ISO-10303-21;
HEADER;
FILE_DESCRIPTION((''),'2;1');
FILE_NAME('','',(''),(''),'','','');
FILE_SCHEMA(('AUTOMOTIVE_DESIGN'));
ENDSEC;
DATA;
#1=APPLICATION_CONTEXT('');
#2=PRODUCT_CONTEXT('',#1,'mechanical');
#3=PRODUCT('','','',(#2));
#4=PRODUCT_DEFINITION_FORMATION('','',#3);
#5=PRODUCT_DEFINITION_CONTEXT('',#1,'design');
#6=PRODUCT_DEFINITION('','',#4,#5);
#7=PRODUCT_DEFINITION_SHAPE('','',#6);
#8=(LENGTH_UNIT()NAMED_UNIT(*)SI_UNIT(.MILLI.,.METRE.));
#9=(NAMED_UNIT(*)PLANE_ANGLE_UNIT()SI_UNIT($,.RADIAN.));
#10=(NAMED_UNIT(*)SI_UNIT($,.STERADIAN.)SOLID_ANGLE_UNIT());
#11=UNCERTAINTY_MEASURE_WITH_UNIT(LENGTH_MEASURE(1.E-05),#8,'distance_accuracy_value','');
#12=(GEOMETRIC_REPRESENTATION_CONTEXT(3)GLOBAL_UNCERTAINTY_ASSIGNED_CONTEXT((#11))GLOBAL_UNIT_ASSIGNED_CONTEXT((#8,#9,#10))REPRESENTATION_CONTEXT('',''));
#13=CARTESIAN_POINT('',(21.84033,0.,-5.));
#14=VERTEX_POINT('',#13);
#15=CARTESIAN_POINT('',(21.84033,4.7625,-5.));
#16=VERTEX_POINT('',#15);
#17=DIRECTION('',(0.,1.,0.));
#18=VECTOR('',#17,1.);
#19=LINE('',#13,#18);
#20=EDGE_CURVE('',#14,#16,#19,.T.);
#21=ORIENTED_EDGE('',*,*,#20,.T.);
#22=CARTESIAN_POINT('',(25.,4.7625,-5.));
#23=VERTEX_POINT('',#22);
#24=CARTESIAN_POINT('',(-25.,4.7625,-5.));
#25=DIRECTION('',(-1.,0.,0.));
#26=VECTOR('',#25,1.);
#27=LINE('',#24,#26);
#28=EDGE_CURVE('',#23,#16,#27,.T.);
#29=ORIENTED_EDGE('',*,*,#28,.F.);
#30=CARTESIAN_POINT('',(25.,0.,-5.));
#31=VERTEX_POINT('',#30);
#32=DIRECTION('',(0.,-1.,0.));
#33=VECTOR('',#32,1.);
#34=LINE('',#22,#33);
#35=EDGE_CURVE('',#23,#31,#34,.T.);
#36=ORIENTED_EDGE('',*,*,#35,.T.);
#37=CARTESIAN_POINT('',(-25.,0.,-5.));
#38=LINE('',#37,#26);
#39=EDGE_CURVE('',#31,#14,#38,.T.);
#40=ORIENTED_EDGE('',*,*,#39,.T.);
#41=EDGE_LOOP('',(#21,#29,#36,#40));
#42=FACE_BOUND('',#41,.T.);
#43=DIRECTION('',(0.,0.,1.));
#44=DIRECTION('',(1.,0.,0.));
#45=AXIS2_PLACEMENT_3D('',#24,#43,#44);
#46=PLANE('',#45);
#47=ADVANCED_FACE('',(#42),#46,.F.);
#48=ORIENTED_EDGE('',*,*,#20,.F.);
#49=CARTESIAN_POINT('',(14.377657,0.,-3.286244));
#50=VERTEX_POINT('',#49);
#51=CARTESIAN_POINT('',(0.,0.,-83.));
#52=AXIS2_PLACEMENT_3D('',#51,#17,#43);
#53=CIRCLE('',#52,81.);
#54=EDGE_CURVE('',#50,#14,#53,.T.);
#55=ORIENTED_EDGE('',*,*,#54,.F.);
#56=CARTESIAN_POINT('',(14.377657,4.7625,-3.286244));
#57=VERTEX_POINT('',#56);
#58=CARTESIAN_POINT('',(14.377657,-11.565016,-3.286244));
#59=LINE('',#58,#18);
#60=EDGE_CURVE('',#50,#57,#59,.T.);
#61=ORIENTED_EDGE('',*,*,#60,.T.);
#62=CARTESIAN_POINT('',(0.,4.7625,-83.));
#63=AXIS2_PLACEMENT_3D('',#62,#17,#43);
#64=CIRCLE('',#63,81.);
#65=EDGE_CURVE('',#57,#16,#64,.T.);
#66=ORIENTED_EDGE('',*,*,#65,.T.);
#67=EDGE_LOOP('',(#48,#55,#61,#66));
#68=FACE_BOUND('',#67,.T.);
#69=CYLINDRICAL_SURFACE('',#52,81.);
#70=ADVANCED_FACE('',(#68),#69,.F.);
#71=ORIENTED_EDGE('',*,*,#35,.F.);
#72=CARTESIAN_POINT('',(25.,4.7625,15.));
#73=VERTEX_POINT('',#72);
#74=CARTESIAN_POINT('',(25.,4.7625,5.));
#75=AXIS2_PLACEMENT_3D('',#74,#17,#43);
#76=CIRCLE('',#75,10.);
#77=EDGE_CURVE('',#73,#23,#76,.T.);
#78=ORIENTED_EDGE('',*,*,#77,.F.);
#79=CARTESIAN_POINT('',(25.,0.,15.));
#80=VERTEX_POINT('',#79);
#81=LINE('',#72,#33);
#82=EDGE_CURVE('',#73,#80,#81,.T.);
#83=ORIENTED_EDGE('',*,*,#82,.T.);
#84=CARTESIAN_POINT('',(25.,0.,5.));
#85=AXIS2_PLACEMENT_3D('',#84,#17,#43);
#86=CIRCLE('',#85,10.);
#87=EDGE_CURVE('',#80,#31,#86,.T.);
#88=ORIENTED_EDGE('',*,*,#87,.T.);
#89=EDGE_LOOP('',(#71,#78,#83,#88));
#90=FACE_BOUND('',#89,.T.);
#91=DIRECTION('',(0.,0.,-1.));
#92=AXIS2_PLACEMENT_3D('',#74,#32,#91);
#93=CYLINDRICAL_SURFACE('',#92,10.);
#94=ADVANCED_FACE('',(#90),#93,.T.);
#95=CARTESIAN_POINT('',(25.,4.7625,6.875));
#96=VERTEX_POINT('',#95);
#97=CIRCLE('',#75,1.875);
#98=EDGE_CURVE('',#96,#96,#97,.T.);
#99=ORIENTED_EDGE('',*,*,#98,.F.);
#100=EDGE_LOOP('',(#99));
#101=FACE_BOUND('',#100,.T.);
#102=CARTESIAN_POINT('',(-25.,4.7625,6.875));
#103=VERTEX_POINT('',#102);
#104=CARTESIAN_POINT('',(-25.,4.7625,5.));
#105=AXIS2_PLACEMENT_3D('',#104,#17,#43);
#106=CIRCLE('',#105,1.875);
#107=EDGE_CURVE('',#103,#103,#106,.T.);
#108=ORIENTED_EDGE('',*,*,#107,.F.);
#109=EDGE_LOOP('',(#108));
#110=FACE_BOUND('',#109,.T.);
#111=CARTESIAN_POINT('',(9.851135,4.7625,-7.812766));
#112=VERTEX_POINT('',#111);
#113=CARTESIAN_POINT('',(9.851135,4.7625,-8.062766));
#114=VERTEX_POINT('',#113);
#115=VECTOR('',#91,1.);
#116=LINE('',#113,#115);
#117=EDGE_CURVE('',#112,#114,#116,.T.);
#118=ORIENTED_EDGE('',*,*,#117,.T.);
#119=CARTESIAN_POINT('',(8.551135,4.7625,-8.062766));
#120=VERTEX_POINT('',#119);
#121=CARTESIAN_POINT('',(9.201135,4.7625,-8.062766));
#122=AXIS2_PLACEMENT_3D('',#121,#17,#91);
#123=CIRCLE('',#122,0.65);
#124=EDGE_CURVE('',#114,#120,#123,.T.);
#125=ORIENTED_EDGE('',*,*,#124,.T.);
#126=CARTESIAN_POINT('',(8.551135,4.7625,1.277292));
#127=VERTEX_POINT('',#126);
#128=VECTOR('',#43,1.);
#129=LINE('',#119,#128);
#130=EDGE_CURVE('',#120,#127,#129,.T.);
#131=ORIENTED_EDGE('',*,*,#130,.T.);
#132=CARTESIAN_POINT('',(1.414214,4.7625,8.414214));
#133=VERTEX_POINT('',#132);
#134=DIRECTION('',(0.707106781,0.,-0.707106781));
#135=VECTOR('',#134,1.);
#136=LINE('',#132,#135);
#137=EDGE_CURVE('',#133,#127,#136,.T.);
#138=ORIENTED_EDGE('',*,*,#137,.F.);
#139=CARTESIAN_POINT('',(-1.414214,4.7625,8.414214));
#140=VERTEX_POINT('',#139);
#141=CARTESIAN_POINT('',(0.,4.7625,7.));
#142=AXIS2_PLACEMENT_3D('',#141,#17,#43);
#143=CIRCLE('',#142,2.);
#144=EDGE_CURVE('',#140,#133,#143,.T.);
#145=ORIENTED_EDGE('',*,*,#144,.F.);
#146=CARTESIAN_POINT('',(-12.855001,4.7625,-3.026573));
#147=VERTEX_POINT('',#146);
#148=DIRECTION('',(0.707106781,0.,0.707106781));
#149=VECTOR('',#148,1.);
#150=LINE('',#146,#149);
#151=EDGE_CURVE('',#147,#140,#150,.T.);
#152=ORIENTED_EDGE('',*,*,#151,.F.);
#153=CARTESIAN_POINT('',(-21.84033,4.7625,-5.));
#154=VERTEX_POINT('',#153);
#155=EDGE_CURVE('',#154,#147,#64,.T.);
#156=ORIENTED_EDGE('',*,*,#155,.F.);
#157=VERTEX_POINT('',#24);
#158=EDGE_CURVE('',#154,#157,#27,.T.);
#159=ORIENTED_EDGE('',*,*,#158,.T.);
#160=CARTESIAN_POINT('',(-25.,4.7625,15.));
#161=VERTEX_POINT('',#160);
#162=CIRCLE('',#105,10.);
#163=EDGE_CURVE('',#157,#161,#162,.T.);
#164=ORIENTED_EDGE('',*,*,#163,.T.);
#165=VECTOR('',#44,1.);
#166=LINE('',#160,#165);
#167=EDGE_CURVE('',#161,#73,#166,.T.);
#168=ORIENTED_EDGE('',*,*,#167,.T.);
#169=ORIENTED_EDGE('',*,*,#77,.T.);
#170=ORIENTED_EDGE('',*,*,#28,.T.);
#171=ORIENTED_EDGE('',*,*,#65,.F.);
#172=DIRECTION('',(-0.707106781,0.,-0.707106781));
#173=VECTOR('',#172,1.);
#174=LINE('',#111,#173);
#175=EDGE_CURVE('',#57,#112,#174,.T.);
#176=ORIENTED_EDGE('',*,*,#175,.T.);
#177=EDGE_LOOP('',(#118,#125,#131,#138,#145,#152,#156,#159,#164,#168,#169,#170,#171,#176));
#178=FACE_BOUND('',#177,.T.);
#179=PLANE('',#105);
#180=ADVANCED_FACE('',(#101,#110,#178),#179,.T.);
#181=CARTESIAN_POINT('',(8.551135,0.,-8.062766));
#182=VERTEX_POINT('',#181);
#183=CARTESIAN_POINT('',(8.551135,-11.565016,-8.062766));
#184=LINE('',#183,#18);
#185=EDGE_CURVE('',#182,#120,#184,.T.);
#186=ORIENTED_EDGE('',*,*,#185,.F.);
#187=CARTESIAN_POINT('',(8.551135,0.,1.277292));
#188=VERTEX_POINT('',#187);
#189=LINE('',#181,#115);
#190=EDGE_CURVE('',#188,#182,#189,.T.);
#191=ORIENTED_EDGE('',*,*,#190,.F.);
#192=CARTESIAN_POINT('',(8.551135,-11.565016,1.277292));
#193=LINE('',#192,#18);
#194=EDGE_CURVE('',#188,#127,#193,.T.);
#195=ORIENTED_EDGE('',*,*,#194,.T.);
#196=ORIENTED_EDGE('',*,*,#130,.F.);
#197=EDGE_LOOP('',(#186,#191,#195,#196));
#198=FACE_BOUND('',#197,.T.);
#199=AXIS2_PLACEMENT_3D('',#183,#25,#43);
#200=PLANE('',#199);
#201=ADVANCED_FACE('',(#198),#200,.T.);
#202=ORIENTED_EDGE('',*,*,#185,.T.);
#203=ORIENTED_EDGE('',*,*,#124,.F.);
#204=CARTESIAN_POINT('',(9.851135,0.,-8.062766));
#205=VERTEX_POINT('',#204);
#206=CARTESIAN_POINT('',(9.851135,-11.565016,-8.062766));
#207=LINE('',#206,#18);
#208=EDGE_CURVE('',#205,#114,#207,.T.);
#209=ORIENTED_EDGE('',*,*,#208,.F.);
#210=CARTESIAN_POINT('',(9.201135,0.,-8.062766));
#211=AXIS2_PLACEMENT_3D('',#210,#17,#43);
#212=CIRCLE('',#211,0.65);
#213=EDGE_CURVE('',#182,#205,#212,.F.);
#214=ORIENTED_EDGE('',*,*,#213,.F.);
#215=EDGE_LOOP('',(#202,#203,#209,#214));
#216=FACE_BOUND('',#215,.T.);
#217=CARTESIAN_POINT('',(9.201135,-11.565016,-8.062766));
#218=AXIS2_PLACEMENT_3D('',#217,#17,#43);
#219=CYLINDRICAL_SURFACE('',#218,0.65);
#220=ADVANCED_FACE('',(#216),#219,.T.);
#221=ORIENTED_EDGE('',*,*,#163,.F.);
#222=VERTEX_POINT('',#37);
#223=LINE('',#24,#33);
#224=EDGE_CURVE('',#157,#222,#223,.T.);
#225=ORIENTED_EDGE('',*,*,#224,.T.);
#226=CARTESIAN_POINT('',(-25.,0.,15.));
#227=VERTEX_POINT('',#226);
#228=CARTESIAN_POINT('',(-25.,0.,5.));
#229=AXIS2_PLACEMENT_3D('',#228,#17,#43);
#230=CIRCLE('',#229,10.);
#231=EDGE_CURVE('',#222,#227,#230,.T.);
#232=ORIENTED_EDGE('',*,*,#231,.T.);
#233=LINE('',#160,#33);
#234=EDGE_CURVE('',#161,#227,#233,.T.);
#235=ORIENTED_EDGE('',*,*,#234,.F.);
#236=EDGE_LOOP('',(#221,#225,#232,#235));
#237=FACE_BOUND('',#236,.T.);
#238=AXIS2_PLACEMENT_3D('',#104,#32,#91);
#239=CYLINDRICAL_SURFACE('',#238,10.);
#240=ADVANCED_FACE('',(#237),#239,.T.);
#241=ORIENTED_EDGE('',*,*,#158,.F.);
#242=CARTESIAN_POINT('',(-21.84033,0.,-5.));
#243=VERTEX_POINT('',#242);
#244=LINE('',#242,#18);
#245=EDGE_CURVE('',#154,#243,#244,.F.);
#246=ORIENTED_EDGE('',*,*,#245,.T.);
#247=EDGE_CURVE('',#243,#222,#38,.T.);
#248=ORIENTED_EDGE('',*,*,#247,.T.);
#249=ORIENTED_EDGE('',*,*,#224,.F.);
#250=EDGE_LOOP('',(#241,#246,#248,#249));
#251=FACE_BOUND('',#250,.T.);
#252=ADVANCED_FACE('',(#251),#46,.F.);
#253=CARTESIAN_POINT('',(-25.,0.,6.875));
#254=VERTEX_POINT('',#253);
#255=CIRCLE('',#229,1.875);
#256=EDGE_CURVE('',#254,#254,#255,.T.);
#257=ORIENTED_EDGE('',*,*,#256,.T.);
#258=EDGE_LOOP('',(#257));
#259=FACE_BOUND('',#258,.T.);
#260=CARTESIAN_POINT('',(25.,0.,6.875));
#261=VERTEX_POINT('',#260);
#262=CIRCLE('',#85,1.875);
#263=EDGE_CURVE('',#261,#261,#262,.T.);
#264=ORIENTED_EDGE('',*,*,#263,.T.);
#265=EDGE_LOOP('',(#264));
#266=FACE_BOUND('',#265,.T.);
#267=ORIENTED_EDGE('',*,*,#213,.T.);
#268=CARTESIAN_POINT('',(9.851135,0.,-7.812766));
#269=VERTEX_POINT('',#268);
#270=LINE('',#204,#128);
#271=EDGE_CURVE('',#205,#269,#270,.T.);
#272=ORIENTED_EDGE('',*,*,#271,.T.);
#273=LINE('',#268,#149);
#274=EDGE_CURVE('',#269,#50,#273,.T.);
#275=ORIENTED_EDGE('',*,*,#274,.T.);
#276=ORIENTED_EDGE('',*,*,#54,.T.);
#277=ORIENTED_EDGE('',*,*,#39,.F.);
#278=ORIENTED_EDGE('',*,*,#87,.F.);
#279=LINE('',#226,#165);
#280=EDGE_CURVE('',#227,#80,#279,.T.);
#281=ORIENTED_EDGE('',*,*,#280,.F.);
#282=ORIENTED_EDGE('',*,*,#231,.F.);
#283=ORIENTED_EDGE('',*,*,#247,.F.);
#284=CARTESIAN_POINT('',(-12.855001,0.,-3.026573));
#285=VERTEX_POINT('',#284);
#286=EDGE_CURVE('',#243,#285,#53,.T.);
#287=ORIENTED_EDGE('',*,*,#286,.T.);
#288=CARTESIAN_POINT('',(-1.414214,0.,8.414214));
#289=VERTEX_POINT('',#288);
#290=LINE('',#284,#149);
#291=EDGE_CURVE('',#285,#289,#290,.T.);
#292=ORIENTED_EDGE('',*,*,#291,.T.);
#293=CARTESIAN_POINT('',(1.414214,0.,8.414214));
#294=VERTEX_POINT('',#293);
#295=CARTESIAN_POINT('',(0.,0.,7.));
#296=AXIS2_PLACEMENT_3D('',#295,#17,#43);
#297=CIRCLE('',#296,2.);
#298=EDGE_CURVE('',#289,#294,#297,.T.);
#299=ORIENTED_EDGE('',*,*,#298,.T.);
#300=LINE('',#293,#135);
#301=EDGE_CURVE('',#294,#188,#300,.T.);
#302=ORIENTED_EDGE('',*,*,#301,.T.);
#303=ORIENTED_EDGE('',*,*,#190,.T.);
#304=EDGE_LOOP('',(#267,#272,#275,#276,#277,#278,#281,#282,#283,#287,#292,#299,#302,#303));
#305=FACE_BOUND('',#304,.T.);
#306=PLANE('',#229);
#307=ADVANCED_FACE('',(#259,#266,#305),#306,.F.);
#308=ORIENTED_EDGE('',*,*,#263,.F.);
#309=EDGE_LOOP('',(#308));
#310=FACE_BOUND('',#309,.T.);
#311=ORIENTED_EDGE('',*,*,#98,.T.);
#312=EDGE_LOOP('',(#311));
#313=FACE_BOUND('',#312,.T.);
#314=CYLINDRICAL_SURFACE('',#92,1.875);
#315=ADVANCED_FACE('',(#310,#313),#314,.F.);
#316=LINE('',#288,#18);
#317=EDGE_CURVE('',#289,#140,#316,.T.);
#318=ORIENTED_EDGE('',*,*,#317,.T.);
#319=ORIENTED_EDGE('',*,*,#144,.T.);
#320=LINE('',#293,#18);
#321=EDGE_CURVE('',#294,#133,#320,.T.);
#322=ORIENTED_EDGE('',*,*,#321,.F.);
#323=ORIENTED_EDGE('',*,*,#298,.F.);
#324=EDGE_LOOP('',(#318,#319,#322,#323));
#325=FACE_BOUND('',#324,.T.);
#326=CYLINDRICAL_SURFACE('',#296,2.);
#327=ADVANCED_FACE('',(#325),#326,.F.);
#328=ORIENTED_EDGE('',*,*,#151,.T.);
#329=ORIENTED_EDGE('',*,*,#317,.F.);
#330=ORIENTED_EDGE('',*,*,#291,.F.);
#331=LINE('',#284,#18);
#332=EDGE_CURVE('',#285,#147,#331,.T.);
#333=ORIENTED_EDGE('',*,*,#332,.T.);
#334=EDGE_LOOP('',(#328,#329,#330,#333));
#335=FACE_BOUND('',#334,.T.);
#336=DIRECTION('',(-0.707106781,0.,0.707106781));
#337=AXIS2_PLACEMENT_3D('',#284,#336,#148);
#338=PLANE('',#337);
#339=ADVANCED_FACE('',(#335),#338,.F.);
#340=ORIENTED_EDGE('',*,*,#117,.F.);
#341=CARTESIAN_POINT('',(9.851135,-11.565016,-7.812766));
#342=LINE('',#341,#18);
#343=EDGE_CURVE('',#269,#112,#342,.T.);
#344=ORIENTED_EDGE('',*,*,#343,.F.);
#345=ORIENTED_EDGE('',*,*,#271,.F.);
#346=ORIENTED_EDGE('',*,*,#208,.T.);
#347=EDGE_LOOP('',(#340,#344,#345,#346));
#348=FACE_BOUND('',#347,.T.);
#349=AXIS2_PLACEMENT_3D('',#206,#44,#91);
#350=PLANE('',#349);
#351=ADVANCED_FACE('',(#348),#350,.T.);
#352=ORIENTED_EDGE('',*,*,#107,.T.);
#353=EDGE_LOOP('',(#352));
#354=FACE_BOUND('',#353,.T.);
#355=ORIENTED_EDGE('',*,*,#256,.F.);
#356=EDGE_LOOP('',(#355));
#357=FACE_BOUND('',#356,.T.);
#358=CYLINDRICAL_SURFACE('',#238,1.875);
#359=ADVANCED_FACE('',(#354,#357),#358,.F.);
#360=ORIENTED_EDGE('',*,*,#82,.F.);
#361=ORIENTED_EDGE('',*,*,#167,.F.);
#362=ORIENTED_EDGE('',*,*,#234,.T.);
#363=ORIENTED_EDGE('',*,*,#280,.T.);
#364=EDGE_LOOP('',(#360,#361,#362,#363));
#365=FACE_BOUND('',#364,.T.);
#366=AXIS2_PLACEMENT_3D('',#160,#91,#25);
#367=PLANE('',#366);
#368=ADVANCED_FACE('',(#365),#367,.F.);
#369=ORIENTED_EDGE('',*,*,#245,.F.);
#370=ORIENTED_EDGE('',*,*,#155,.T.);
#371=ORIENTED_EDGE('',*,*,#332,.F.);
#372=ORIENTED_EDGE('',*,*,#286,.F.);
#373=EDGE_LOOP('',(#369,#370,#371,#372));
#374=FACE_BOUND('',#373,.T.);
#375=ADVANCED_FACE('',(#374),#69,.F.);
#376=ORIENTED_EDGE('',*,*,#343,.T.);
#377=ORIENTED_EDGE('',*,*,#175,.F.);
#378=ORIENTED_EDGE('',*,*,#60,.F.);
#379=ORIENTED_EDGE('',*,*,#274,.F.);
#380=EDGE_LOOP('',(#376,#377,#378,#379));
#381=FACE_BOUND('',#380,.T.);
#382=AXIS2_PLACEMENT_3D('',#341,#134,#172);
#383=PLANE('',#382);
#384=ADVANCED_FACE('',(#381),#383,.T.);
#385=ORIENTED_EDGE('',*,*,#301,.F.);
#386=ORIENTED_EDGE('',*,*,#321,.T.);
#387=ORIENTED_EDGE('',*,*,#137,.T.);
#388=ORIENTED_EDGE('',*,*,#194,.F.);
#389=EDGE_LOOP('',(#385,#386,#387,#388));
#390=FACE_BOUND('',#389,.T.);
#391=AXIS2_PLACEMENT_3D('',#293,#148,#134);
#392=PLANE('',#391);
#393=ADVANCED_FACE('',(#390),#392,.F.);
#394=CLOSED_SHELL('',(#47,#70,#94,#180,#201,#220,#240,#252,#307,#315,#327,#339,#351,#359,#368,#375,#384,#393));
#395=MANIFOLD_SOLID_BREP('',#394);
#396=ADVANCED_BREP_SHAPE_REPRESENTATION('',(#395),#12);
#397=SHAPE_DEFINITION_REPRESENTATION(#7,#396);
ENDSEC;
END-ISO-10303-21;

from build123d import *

# Parameters (mm, degrees)
SKETCH1_R           = 1.875
BOSS_EXTRUDE1_DEPTH = 4.7625
CUT_EXTRUDE1_DEPTH  = 5.7625
BOSS_EXTRUDE2_DEPTH = 4.7625


with BuildPart() as part:
    # Sketch1 → Boss-Extrude1 (new body)
    with BuildSketch(Plane(origin=(0, 0, 0), x_dir=(1, 0, 0), z_dir=(0, 1, 0))):
        with BuildLine():
            Line((-25, 5), (25, 5))
            ThreePointArc((25, 5), (35, -5), (25, -15))
            Line((25, -15), (-25, -15))
            ThreePointArc((-25, -15), (-35, -5), (-25, 5))
        make_face()
        with Locations((-25, -5)):
            Circle(SKETCH1_R, mode=Mode.SUBTRACT)
        with Locations((25, -5)):
            Circle(SKETCH1_R, mode=Mode.SUBTRACT)
    extrude(amount=BOSS_EXTRUDE1_DEPTH)

    # Sketch3 → Cut-Extrude1 (cut, through all)
    with BuildSketch(Plane(origin=(0, 4.7625, 0), x_dir=(1, 0, 0), z_dir=(0, 1, 0))):
        with BuildLine():
            Line((-12.855000529, 3.026573405), (-1.414213562, -8.414213562))
            ThreePointArc((-1.414213562, -8.414213562), (0, -9), (1.414213562, -8.414213562))
            Line((1.414213562, -8.414213562), (12.855000529, 3.026573405))
            ThreePointArc((12.855000529, 3.026573405), (0, 164), (-12.855000529, 3.026573405))
        make_face()
    extrude(amount=-CUT_EXTRUDE1_DEPTH, mode=Mode.SUBTRACT)

    # Sketch4 → Boss-Extrude2 (add)
    with BuildSketch(Plane(origin=(0, 4.7625, 0), x_dir=(1, 0, 0), z_dir=(0, 1, 0))):
        with BuildLine():
            Line((14.377657426, 3.286243553), (8.551135427, -1.277291698))
            Line((8.551135427, -1.277291698), (8.551135427, 8.062765551))
            ThreePointArc((8.551135427, 8.062765551), (9.201135427, 8.712765551), (9.851135427, 8.062765551))
            Line((9.851135427, 8.062765551), (9.851135427, 7.812765551))
            Line((9.851135427, 7.812765551), (14.377657426, 3.286243553))
        make_face()
    extrude(amount=-BOSS_EXTRUDE2_DEPTH)


solid = part.part
